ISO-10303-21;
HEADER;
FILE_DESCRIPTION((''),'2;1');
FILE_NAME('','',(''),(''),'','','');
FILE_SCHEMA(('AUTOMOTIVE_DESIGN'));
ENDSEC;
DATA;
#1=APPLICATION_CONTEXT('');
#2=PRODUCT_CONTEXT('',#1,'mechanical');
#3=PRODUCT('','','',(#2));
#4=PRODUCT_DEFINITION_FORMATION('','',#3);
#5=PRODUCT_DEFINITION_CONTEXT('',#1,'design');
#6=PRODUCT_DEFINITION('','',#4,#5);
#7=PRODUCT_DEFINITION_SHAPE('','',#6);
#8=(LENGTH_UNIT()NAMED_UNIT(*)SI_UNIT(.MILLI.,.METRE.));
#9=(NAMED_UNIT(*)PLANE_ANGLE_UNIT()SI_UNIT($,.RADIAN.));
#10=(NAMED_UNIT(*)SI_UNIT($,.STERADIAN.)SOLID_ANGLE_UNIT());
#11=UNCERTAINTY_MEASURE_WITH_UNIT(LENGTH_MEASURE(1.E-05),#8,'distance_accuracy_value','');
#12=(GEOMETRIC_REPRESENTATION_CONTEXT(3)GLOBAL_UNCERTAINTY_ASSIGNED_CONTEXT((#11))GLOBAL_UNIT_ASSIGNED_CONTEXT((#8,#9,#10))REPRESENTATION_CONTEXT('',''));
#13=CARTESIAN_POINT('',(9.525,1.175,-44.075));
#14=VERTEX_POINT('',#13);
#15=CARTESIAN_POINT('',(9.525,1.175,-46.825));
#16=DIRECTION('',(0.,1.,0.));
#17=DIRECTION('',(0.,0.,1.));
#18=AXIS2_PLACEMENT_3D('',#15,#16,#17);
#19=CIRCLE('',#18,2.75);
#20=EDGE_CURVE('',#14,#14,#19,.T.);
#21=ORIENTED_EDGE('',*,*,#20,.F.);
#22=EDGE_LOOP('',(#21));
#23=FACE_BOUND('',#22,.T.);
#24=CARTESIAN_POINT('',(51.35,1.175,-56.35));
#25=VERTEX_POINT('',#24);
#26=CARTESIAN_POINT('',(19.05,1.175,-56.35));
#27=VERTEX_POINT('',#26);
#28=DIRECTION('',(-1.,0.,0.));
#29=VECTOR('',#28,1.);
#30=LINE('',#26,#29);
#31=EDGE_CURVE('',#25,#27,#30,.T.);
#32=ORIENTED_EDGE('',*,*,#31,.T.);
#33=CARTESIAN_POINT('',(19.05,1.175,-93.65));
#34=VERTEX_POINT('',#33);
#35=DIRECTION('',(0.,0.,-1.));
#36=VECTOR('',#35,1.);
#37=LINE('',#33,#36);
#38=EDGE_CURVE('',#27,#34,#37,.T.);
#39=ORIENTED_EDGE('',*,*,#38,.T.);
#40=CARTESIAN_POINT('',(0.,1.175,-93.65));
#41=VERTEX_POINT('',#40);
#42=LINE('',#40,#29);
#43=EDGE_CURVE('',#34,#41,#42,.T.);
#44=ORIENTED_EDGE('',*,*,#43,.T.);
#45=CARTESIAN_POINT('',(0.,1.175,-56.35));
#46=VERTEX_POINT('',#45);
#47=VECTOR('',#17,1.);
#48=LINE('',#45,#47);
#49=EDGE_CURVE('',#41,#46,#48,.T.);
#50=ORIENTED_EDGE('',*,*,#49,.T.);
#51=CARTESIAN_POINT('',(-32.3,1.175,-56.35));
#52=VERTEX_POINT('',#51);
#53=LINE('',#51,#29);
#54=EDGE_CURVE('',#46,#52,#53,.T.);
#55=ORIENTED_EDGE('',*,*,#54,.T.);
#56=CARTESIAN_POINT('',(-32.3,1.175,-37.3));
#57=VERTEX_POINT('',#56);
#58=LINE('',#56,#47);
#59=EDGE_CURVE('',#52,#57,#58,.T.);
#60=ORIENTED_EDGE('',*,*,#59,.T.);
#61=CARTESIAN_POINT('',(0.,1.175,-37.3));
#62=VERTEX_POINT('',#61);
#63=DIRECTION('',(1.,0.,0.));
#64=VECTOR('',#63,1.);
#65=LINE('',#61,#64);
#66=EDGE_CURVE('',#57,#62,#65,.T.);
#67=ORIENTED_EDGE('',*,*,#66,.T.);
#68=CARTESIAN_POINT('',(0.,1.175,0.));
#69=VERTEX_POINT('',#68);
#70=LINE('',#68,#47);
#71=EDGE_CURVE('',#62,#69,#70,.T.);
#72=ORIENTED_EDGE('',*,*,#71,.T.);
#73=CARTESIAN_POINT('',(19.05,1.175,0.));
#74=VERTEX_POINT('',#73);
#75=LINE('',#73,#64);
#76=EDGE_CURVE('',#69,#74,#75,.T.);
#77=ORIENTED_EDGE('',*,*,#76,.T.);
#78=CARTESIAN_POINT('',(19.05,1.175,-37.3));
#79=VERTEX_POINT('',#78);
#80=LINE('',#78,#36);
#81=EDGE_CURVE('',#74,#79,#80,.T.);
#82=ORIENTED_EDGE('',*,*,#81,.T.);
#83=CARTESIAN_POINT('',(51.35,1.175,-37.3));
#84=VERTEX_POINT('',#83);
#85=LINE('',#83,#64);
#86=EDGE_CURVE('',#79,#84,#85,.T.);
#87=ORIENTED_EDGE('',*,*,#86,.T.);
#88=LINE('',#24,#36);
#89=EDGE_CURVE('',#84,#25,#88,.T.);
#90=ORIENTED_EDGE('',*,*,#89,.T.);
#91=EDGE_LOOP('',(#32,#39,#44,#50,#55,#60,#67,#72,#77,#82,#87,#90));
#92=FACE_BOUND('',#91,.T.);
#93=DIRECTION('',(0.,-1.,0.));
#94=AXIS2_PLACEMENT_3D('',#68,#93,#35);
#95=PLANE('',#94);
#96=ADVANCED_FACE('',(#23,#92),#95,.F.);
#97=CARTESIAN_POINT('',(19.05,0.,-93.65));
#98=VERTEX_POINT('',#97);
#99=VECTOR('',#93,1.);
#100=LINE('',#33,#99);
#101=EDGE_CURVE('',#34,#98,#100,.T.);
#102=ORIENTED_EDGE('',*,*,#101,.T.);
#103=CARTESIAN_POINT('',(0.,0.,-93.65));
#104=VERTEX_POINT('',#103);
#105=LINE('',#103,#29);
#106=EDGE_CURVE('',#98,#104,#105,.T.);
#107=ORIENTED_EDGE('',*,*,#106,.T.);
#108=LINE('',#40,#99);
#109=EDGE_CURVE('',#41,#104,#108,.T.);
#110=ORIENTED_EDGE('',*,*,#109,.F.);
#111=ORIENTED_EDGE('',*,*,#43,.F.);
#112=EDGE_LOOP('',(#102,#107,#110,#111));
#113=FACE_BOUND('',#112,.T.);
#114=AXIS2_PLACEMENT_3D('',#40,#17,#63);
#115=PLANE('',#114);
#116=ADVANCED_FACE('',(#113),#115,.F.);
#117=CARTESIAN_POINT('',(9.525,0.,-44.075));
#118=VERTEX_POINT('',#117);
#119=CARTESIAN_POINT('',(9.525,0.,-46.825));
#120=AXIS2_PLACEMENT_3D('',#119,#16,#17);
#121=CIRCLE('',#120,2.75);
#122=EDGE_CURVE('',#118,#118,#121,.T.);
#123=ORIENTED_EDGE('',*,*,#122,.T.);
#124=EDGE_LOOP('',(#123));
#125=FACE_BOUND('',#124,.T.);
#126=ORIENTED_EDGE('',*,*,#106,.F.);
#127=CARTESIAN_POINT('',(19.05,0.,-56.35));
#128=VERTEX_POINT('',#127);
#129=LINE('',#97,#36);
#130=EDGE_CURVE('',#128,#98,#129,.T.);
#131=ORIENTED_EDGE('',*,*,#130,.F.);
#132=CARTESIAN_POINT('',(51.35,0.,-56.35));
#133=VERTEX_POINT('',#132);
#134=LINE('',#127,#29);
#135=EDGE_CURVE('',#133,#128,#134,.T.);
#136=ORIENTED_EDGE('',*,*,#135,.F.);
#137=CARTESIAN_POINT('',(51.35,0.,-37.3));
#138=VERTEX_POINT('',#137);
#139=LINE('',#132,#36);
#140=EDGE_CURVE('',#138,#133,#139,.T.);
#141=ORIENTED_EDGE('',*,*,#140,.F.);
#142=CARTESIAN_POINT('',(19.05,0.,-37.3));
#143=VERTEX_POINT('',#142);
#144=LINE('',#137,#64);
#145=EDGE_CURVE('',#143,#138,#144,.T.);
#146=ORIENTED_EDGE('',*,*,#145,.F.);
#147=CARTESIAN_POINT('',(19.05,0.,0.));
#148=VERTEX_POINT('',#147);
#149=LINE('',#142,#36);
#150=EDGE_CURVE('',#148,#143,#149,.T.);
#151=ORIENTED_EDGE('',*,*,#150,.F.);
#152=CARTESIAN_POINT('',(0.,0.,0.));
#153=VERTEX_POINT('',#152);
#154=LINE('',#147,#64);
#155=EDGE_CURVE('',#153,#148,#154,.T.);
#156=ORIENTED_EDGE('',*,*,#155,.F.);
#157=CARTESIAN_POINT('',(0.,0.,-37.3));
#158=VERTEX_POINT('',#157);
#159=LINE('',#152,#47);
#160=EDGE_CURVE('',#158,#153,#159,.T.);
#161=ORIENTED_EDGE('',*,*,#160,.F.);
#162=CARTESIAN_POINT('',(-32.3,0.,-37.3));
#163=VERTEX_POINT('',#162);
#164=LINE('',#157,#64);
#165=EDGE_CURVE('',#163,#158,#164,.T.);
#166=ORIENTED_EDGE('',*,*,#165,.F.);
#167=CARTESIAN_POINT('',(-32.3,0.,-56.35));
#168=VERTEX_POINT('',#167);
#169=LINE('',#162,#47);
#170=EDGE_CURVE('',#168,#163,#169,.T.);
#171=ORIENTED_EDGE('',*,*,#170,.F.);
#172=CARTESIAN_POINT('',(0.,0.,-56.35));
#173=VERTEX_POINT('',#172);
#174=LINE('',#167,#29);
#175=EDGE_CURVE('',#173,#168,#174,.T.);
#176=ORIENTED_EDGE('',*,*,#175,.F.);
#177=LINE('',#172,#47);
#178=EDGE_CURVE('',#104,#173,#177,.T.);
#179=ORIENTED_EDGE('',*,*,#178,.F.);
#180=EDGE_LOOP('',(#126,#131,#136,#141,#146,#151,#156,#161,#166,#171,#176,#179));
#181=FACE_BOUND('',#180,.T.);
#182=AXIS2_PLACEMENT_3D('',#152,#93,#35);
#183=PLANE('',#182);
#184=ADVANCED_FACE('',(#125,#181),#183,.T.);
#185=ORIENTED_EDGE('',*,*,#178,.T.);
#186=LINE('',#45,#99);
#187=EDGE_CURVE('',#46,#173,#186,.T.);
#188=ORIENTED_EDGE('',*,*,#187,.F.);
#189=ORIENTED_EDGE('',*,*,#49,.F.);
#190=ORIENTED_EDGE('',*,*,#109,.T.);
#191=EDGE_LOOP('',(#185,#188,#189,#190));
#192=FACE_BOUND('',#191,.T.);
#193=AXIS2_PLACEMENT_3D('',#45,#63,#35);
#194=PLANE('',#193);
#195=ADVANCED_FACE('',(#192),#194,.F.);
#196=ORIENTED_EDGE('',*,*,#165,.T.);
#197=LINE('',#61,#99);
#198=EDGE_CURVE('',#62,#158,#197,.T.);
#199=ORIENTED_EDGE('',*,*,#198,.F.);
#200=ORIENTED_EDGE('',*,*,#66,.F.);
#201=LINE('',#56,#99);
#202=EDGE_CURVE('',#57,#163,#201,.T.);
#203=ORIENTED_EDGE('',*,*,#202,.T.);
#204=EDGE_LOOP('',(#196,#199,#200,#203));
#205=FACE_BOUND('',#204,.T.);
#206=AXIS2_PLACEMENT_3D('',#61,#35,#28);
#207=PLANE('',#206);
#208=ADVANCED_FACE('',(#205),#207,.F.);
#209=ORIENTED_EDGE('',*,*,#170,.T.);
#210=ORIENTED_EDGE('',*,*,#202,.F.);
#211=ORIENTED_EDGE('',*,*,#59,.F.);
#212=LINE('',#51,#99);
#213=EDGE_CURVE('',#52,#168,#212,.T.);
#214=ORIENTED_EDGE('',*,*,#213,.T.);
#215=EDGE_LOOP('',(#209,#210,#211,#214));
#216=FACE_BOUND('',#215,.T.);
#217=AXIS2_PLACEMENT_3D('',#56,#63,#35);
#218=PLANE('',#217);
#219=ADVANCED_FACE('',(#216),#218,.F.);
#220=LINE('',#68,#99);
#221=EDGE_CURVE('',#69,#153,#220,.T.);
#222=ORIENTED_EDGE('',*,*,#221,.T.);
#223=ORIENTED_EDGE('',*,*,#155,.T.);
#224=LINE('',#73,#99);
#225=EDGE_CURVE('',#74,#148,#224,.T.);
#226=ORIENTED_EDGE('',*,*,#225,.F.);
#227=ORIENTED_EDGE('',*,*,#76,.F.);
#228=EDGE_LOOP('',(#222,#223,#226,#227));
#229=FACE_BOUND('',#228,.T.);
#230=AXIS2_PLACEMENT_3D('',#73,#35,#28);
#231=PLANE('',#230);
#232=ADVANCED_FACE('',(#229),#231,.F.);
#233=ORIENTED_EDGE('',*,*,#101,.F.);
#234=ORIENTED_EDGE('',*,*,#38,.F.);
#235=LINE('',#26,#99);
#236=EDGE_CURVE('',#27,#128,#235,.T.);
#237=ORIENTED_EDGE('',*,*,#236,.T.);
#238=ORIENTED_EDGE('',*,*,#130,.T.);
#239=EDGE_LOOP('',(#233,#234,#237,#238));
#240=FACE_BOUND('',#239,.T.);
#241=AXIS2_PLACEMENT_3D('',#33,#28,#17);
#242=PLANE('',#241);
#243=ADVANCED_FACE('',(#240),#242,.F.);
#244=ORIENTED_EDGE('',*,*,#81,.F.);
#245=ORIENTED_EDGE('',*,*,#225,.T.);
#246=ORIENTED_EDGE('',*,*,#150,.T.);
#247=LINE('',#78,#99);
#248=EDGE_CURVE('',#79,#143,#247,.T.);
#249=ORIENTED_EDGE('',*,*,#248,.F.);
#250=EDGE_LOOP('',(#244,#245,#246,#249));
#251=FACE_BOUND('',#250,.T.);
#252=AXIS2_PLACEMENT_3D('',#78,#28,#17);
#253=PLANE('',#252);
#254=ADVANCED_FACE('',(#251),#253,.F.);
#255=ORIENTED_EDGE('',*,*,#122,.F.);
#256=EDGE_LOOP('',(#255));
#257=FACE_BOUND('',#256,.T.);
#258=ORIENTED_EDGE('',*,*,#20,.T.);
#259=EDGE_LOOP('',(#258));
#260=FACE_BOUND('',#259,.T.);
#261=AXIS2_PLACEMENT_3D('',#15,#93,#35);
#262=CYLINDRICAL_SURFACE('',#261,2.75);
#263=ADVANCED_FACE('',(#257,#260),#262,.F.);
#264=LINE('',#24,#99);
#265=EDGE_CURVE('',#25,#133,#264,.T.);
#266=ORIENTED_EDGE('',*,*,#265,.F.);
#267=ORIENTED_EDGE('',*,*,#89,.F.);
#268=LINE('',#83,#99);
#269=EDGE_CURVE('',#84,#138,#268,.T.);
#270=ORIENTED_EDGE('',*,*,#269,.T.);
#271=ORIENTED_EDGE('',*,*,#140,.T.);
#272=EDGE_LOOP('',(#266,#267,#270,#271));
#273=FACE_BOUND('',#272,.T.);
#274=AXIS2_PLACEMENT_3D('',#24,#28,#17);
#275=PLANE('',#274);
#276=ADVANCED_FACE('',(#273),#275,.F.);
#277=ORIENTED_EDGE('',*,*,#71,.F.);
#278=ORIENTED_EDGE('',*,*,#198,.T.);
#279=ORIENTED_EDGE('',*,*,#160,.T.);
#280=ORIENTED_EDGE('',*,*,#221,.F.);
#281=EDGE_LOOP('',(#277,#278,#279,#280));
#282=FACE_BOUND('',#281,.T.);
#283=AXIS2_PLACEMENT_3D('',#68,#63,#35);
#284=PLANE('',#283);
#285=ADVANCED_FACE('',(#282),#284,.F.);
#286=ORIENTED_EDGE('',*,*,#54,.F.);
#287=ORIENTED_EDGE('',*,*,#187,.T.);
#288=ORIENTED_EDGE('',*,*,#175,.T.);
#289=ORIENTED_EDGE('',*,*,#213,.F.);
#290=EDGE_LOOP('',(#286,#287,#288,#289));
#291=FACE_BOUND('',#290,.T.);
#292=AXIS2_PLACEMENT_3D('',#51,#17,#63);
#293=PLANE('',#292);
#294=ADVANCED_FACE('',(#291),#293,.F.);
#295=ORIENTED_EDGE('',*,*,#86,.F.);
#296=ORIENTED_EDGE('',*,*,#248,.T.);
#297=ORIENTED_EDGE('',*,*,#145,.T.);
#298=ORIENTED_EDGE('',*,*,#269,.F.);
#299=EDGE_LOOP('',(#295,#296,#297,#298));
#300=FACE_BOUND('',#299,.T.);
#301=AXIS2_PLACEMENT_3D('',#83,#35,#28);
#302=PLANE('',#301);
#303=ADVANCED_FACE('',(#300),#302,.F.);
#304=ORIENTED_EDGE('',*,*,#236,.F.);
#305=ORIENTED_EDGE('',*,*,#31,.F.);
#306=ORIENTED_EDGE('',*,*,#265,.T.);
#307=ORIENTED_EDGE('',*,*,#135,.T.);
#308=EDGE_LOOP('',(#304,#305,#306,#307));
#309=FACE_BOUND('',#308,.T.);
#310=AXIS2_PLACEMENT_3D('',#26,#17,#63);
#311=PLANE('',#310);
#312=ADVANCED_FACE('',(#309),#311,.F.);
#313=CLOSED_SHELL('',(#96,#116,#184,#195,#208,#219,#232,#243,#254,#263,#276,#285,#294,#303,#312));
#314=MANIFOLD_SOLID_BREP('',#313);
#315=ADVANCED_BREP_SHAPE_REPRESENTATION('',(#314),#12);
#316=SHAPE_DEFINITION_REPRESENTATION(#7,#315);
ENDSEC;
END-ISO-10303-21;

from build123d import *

# Parameters (mm, degrees)
SKETCH1_R           = 2.75
BOSS_EXTRUDE1_DEPTH = 1.175


with BuildPart() as part:
    # Sketch1 → Boss-Extrude1 (new body)
    with BuildSketch(Plane(origin=(0, 0, 0), x_dir=(1, 0, 0), z_dir=(0, 1, 0))):
        Polygon((0, 0), (0, 37.3), (-32.3, 37.3), (-32.3, 56.35), (0, 56.35), (0, 93.65), (19.05, 93.65), (19.05, 56.35), (51.35, 56.35), (51.35, 37.3), (19.05, 37.3), (19.05, 0), align=None)
        with Locations(Location((9.525, 46.825, 0), (0, 0, 270))):
            Circle(SKETCH1_R, mode=Mode.SUBTRACT)
    extrude(amount=BOSS_EXTRUDE1_DEPTH)


solid = part.part
